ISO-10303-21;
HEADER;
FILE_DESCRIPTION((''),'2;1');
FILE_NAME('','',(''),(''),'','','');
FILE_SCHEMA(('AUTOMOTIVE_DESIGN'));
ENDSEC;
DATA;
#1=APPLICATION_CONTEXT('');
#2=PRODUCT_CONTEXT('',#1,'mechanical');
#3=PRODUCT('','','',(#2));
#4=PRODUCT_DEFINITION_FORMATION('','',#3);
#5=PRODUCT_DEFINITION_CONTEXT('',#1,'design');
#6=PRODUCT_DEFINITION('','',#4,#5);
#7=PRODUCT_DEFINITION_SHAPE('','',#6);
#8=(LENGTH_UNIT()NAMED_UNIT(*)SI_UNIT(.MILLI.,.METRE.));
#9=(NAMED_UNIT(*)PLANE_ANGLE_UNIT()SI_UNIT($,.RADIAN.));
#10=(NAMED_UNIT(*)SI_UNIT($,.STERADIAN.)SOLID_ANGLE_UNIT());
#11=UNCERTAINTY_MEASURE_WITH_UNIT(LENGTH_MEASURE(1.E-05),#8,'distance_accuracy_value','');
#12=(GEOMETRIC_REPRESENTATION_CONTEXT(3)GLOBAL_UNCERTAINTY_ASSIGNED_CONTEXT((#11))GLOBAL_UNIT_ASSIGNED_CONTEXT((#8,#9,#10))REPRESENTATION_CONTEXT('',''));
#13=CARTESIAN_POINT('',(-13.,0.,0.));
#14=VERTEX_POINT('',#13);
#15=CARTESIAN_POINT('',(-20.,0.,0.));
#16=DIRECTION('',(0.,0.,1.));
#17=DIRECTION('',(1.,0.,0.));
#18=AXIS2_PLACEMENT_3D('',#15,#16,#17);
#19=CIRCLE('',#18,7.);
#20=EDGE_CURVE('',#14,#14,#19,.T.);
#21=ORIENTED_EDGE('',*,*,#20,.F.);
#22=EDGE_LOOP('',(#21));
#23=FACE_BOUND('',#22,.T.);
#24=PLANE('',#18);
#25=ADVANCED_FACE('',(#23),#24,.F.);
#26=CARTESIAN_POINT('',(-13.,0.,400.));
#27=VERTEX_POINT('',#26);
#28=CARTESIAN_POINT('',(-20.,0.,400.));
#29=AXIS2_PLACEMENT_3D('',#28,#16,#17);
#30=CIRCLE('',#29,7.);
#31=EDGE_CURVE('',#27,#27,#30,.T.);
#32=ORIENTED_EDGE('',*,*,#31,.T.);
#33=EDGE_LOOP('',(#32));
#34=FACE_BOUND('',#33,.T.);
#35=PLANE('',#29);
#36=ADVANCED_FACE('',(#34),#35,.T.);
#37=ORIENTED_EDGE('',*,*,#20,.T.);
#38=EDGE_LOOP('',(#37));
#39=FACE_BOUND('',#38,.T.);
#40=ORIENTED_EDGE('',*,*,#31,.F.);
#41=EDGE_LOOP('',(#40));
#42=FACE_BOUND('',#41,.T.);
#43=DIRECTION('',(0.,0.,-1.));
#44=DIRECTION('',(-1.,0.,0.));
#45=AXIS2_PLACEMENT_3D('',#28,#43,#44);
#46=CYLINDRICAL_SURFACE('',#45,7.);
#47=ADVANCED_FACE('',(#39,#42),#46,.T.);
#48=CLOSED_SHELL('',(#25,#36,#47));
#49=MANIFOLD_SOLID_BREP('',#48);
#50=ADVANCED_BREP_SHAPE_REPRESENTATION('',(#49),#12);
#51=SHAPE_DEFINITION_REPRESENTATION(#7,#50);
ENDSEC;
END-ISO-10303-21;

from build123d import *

# Parameters (mm, degrees)
SKETCH1_R           = 7
BOSS_EXTRUDE1_DEPTH = 400


with BuildPart() as part:
    # Sketch1 → Boss-Extrude1 (new body)
    with BuildSketch(Plane.XY):
        with Locations((-20, 0)):
            Circle(SKETCH1_R)
    extrude(amount=BOSS_EXTRUDE1_DEPTH)


solid = part.part
